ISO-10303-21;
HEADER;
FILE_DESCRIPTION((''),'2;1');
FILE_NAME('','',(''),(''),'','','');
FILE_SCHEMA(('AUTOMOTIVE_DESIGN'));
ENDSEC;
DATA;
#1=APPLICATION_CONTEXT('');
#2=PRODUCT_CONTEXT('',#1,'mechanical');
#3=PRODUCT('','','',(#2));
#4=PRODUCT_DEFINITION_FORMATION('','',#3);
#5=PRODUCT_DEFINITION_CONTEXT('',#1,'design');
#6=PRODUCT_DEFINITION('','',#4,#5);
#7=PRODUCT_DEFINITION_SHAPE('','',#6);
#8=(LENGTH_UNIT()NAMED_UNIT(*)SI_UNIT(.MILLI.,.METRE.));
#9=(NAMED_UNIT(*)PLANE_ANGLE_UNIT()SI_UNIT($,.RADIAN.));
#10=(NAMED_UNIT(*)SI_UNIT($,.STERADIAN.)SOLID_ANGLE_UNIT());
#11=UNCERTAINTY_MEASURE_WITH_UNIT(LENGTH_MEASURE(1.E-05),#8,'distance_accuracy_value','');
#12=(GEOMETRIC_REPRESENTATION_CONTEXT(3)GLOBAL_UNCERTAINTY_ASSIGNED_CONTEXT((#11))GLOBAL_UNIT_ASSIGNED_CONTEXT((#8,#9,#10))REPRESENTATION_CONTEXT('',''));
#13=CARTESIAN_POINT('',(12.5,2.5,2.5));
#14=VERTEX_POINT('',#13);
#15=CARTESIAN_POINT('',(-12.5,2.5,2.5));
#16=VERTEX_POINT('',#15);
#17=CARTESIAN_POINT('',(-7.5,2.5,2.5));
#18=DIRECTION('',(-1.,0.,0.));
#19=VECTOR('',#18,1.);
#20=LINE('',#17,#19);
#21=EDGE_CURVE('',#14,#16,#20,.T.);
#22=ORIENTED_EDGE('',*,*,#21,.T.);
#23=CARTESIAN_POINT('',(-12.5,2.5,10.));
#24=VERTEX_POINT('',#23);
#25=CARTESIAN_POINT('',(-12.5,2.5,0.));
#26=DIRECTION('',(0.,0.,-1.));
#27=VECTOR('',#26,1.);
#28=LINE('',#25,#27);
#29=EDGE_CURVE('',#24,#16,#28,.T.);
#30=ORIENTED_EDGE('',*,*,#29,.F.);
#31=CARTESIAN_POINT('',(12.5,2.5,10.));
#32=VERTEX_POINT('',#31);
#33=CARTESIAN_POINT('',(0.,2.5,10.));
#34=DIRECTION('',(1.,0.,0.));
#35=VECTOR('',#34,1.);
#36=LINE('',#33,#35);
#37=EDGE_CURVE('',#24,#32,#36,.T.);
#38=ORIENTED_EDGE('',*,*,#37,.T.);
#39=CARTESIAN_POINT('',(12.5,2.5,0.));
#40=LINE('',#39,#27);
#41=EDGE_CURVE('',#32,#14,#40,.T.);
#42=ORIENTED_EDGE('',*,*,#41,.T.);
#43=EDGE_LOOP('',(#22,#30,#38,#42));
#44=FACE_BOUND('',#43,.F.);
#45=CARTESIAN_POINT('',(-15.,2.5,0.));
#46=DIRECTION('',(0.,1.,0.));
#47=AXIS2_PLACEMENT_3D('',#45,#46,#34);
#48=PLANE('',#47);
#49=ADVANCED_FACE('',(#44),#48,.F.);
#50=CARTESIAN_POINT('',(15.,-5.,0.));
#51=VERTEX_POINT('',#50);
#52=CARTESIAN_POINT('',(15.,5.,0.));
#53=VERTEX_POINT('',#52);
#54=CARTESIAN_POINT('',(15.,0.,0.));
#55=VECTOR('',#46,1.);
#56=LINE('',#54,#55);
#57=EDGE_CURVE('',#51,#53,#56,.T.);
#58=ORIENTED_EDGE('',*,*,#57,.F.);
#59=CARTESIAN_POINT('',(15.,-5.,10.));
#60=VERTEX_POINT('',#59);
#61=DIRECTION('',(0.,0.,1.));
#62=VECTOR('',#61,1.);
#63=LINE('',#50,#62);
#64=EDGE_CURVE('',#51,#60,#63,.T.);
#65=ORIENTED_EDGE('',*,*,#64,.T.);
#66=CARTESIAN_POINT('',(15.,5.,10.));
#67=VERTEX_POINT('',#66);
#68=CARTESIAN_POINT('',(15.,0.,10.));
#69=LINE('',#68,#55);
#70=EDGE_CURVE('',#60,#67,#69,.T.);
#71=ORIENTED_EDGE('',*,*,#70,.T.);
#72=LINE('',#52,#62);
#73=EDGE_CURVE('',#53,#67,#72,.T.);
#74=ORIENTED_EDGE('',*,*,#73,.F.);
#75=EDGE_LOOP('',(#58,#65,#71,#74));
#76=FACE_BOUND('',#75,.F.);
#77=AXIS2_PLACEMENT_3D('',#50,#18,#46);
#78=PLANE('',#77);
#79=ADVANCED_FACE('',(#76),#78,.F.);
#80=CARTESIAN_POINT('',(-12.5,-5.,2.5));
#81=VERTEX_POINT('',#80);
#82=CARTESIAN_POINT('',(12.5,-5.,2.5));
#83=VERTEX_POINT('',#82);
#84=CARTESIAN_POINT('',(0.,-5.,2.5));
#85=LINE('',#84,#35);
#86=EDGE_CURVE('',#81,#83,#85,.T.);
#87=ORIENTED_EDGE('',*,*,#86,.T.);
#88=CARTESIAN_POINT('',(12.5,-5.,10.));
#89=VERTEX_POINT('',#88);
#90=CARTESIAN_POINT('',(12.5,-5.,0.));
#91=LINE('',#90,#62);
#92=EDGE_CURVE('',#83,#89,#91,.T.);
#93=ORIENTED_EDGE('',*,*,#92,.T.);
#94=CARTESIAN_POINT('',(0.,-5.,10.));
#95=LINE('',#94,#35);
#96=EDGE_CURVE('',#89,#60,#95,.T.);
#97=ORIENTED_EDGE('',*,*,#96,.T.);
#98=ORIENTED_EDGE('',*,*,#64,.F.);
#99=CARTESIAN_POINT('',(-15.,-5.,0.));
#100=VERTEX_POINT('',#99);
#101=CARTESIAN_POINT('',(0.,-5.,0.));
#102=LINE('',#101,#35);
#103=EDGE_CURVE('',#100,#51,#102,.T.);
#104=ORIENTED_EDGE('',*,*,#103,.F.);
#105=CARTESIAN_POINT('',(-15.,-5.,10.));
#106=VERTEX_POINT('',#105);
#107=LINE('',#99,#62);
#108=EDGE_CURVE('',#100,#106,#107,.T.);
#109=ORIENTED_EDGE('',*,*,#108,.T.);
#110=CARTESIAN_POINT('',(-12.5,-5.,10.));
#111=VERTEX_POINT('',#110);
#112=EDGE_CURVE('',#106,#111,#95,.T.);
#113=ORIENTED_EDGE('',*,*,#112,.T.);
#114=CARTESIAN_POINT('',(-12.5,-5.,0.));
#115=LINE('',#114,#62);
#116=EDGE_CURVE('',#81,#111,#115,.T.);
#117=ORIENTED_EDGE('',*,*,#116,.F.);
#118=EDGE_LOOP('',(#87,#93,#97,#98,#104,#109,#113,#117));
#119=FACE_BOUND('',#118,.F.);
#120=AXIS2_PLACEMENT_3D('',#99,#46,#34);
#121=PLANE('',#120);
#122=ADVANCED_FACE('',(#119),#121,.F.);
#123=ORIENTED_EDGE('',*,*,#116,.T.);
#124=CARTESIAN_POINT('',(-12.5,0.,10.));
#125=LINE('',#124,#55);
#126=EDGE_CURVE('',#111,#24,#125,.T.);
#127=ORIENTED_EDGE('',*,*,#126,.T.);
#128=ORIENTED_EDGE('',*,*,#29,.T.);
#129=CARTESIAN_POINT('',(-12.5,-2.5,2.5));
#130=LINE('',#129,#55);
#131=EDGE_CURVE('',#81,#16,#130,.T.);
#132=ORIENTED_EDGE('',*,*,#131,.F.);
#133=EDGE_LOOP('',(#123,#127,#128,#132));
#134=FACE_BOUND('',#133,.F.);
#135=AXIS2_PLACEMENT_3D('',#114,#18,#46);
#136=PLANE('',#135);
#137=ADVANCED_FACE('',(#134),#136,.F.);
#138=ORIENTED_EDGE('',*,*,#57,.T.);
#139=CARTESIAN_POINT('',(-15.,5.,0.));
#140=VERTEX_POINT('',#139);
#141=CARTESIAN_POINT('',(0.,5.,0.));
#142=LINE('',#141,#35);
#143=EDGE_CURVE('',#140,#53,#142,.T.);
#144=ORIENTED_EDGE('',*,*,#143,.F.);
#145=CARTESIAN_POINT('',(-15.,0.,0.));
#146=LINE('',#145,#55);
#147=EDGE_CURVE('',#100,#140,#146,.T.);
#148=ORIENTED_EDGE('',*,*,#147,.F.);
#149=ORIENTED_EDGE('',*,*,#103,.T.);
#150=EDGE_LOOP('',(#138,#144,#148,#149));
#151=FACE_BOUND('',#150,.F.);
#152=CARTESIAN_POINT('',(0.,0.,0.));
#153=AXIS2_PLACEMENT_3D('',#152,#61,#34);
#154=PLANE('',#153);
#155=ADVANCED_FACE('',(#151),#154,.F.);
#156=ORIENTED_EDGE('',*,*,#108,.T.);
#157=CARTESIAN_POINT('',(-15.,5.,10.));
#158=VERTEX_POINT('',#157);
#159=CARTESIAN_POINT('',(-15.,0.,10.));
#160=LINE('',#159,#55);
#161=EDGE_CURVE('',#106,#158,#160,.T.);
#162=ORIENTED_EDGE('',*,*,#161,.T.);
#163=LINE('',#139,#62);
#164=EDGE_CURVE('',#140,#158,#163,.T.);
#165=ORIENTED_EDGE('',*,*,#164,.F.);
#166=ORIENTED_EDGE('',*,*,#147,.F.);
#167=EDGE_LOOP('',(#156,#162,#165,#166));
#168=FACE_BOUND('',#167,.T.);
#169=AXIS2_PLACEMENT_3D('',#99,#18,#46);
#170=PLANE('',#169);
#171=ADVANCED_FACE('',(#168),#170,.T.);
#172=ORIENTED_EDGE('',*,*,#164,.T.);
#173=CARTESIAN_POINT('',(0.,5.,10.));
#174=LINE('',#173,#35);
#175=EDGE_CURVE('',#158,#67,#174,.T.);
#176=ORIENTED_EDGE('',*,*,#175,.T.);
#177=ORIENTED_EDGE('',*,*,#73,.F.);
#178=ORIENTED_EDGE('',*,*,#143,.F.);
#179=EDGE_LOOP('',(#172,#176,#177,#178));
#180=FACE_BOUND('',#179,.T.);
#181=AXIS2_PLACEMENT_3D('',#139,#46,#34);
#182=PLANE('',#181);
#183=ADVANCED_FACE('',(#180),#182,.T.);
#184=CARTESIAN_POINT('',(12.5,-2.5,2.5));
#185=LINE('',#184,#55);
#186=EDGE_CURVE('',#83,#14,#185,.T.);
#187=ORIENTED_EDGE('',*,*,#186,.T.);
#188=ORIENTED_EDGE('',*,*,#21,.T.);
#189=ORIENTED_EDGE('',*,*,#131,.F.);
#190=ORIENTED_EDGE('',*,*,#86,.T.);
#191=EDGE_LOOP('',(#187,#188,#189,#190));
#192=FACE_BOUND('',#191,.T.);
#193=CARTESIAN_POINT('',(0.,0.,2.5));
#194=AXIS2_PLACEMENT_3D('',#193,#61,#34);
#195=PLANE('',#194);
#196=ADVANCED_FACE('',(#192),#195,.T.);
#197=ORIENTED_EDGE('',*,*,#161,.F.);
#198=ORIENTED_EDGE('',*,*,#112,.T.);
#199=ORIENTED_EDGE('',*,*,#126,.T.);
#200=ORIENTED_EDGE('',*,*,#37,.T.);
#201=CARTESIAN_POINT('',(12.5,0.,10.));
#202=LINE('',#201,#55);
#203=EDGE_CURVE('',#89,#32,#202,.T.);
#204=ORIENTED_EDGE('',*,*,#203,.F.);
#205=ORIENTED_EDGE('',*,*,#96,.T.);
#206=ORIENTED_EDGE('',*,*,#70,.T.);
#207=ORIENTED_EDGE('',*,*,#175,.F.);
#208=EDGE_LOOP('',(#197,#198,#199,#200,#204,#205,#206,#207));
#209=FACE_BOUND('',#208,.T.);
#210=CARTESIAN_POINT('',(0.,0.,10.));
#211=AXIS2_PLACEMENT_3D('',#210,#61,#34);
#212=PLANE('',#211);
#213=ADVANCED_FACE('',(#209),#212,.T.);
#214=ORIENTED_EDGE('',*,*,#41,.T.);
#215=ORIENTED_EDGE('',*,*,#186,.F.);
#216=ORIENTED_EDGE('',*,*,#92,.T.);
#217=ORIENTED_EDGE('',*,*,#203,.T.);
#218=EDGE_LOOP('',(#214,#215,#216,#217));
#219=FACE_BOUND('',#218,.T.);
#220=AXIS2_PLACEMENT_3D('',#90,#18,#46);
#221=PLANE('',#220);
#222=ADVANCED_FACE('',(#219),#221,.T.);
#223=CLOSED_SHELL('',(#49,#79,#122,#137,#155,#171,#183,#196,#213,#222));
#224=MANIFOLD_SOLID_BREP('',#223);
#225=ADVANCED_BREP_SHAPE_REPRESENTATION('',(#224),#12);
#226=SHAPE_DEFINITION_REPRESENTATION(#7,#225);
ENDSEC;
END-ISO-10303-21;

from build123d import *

# Parameters (mm, degrees)
F0_W     = 30
F0_H     = 10
F1_DEPTH = 10
F2_T     = -2.5


with BuildPart() as f1:
    # F0 (on Top) → F1 (new body)
    with BuildSketch(Plane.XY):
        Rectangle(F0_W, F0_H)
    extrude(amount=F1_DEPTH)

    # F2
    f2_openings = [f1.faces().sort_by_distance(p)[0] for p in [
        (0, 0, 10),
        (0, -5, 5),
    ]]
    offset(amount=F2_T, openings=f2_openings)


solid = f1.part
